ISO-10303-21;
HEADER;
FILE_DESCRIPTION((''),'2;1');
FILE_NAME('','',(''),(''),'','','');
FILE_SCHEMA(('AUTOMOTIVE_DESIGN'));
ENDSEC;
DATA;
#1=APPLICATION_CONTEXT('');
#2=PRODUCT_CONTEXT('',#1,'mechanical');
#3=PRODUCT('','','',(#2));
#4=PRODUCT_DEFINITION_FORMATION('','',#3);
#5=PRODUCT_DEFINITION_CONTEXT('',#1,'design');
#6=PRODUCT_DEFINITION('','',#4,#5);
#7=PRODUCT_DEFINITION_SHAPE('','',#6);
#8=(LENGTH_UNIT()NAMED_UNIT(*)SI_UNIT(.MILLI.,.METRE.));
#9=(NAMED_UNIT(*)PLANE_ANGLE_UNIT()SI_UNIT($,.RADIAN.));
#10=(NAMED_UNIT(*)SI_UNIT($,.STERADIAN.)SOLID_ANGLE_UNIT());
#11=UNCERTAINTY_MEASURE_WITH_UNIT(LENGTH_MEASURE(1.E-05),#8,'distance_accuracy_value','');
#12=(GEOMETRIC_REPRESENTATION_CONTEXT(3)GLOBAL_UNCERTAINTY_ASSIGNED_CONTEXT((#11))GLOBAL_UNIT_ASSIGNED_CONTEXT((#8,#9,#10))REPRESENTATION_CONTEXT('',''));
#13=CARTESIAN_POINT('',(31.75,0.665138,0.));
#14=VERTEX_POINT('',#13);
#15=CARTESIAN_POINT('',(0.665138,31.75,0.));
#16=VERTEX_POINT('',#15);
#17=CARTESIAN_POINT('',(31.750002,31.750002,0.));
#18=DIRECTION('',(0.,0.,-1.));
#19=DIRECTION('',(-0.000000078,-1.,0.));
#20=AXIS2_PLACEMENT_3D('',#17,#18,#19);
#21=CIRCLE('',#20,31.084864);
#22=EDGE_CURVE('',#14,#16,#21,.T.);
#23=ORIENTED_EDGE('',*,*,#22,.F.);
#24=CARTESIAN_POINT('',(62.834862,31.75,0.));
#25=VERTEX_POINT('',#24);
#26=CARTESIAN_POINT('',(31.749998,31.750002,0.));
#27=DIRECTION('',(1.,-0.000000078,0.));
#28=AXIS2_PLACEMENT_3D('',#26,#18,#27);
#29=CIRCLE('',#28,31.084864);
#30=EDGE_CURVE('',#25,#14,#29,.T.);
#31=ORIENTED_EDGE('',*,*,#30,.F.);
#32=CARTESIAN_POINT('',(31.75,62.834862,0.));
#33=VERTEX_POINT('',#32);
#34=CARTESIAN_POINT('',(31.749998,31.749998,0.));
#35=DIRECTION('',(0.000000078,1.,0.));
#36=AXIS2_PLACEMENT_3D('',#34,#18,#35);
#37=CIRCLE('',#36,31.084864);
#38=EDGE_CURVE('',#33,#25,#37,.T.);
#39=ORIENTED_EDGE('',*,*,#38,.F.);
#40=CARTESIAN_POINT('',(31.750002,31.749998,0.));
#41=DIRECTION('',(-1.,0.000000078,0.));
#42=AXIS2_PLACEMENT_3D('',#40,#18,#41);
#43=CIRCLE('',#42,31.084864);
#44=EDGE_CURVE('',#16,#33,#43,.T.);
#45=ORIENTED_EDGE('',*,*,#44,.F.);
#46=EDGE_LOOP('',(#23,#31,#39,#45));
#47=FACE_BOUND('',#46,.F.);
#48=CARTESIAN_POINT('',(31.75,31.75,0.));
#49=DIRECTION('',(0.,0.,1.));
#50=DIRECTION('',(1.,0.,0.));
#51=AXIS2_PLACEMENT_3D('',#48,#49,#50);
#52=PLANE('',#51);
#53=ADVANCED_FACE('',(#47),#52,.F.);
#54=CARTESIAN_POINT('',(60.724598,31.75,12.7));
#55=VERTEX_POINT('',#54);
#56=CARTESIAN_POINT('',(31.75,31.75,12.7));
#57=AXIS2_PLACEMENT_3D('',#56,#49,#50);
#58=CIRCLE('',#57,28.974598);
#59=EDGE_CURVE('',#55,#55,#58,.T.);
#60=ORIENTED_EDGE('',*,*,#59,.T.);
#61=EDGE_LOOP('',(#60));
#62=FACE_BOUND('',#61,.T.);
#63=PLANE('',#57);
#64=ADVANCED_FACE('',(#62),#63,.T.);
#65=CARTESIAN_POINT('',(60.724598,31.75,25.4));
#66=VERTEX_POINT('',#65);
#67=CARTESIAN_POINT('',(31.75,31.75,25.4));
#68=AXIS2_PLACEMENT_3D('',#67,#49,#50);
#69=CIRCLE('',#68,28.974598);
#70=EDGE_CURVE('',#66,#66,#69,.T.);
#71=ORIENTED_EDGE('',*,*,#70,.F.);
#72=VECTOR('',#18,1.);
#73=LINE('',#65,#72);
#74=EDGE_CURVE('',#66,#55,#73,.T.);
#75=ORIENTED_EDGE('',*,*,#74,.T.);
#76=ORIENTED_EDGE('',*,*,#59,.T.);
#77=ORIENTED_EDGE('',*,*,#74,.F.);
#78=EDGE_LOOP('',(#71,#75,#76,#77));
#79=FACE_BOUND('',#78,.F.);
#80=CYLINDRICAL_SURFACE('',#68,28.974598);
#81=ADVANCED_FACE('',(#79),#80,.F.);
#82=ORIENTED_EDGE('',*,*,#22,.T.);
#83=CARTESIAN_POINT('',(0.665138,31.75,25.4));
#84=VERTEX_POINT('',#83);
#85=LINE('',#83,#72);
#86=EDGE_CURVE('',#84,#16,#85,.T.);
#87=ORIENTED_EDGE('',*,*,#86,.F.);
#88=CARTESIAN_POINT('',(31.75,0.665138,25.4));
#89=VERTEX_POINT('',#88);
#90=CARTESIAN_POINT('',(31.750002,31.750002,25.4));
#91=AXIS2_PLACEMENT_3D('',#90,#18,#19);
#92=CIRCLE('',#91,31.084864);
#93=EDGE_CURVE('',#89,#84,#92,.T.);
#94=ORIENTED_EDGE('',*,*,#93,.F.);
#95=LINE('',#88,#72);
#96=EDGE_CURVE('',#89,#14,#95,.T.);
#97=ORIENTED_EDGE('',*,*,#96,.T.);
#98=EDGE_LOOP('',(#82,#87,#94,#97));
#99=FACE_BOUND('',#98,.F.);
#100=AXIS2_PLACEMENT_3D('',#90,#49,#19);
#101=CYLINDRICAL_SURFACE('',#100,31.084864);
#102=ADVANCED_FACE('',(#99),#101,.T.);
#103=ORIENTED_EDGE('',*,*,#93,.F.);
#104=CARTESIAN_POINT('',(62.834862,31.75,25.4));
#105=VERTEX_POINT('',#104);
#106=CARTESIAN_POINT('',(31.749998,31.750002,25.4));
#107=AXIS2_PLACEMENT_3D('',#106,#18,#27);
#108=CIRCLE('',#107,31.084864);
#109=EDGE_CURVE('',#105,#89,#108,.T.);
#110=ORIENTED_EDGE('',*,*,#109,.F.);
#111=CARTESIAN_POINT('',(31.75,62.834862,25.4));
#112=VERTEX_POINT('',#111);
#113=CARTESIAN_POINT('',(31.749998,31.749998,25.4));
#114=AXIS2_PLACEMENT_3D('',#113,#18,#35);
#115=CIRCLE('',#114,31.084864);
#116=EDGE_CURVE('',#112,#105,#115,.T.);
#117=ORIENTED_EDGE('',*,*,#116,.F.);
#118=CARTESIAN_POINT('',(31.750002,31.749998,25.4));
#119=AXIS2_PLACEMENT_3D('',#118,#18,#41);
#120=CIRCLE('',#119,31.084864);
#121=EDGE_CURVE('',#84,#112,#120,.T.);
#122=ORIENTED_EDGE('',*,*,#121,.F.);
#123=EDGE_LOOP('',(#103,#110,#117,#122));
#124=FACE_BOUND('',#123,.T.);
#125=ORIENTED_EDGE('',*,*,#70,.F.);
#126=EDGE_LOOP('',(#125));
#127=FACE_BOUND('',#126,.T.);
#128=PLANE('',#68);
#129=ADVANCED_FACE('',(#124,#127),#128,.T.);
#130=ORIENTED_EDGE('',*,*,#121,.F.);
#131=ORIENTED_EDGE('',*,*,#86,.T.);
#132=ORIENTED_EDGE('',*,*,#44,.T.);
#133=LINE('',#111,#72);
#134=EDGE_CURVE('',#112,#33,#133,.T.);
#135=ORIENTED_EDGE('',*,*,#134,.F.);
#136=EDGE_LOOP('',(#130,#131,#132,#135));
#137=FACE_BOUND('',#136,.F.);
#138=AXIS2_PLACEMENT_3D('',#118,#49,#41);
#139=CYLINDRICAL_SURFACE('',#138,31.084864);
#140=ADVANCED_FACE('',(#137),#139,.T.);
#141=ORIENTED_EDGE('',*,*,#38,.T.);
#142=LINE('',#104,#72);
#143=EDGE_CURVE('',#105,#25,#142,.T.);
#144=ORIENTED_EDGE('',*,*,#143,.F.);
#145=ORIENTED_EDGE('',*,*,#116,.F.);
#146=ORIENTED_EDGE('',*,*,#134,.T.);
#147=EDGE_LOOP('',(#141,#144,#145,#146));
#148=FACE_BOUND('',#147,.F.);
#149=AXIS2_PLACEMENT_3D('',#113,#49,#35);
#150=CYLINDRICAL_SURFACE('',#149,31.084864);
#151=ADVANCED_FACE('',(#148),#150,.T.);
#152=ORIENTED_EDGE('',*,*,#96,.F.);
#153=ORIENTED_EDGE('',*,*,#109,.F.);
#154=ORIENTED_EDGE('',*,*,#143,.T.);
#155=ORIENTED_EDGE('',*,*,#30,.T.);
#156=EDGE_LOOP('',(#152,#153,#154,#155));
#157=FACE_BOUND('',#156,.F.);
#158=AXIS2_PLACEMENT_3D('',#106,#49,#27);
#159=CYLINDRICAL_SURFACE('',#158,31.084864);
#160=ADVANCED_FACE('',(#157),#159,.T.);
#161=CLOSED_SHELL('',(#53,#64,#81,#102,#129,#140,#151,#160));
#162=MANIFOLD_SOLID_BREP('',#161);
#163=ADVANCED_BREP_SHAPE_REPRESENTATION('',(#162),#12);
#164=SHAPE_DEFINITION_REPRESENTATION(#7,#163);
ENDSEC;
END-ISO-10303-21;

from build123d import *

# Parameters (mm, degrees)
F0_W     = 63.5
F0_H     = 63.5
F1_DEPTH = 25.4
F3_DEPTH = 25.4
F4_R     = 28.974598
F5_DEPTH = 12.7


with BuildPart() as f1:
    # F0 (on Top) → F1 (new body)
    with BuildSketch(Plane.XY):
        with Locations((31.75, 31.75)):
            Rectangle(F0_W, F0_H)
    extrude(amount=F1_DEPTH)

    # F2 (on face) → F3 (cut)
    with BuildSketch(Plane.XY.offset(25.4)):
        with BuildLine():
            Line((31.75, 62.834862), (31.75, 63.5))
            Line((31.75, 63.5), (0, 63.5))
            Line((0, 63.5), (0, 31.75))
            Line((0, 31.75), (0.665138, 31.75))
            ThreePointArc((0.665138, 31.75), (9.769684, 53.730316), (31.75, 62.834862))
        make_face()
        with BuildLine():
            Line((63.5, 63.5), (31.75, 63.5))
            Line((31.75, 63.5), (31.75, 62.834862))
            ThreePointArc((31.75, 62.834862), (53.730316, 53.730316), (62.834862, 31.75))
            Line((62.834862, 31.75), (63.5, 31.75))
            Line((63.5, 31.75), (63.5, 63.5))
        make_face()
        with BuildLine():
            Line((63.5, 31.75), (62.834862, 31.75))
            ThreePointArc((62.834862, 31.75), (53.730316, 9.769684), (31.75, 0.665138))
            Line((31.75, 0.665138), (31.75, 0))
            Line((31.75, 0), (63.5, 0))
            Line((63.5, 0), (63.5, 31.75))
        make_face()
        with BuildLine():
            ThreePointArc((31.75, 0.665138), (9.769684, 9.769684), (0.665138, 31.75))
            Line((0.665138, 31.75), (0, 31.75))
            Line((0, 31.75), (0, 0))
            Line((0, 0), (31.75, 0))
            Line((31.75, 0), (31.75, 0.665138))
        make_face()
    extrude(amount=-F3_DEPTH, mode=Mode.SUBTRACT)

    # F4 (on face) → F5 (cut)
    with BuildSketch(Plane.XY.offset(25.4)):
        with Locations((31.75, 31.75)):
            Circle(F4_R)
    extrude(amount=-F5_DEPTH, mode=Mode.SUBTRACT)


solid = f1.part
